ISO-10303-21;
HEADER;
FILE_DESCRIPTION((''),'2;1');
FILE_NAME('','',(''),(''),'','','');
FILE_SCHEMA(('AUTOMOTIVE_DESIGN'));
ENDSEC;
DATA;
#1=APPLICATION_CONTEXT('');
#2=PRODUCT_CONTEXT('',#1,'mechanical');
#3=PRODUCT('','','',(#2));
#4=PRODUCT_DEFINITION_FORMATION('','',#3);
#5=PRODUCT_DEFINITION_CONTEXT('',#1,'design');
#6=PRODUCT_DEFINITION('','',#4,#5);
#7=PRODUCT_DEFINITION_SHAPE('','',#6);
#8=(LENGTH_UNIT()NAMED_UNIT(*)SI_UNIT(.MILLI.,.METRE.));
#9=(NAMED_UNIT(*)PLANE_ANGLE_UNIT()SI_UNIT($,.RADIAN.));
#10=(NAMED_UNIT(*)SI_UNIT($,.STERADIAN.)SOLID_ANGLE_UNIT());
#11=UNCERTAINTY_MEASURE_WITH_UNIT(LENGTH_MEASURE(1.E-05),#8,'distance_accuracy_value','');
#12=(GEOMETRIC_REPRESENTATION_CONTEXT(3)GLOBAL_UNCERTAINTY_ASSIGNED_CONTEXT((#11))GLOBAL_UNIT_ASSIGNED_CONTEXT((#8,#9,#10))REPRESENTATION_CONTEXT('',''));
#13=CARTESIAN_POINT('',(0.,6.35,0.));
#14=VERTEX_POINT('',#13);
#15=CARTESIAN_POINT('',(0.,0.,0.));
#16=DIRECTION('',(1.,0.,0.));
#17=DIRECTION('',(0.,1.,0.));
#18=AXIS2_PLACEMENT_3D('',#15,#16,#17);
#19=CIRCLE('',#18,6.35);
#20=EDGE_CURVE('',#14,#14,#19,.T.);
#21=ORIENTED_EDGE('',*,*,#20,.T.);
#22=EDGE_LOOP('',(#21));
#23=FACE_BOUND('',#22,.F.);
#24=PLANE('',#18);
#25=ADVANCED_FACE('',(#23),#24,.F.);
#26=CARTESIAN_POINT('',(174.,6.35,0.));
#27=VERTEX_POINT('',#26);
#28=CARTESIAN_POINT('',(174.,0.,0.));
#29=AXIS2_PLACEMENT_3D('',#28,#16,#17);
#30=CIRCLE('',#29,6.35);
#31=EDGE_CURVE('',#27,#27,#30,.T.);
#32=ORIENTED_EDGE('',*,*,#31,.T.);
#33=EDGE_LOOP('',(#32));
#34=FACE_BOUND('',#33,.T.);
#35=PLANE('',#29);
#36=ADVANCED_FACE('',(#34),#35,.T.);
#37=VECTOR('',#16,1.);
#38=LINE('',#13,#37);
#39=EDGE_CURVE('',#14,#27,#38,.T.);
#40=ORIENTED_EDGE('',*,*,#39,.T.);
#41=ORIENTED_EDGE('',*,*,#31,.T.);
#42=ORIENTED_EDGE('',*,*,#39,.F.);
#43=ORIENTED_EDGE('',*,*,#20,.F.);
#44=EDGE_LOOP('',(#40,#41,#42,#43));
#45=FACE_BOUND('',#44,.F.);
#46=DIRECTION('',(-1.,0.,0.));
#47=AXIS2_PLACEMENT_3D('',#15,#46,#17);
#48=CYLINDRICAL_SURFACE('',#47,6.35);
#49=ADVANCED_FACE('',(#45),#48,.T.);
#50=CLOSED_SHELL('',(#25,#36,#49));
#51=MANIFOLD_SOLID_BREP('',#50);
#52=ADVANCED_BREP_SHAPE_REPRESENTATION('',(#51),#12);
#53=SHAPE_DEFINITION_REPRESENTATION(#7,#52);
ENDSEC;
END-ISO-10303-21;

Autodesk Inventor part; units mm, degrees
ref_plane "YZ Plane" through (0, 0, 0) normal (1, 0, 0) x (0, 1, 0)
ref_plane "XZ Plane" through (0, 0, 0) normal (0, 1, 0) x (-1, 0, 0)
ref_plane "XY Plane" through (0, 0, 0) normal (0, 0, 1) x (1, 0, 0)
sketch "Sketch1" plane through (0, 0, 0) normal (1, 0, 0) x (0, 1, 0)
  point P0 (0, 0)
sketch "Sketch2" plane through (0, 0, 0) normal (1, 0, 0) x (0, 1, 0)
  circle A0 centre (0, 0) radius 6.35
  dimension "d0" = 12.7
extrude "Extrusion1" add sketch "Sketch2" along normal blind 174
